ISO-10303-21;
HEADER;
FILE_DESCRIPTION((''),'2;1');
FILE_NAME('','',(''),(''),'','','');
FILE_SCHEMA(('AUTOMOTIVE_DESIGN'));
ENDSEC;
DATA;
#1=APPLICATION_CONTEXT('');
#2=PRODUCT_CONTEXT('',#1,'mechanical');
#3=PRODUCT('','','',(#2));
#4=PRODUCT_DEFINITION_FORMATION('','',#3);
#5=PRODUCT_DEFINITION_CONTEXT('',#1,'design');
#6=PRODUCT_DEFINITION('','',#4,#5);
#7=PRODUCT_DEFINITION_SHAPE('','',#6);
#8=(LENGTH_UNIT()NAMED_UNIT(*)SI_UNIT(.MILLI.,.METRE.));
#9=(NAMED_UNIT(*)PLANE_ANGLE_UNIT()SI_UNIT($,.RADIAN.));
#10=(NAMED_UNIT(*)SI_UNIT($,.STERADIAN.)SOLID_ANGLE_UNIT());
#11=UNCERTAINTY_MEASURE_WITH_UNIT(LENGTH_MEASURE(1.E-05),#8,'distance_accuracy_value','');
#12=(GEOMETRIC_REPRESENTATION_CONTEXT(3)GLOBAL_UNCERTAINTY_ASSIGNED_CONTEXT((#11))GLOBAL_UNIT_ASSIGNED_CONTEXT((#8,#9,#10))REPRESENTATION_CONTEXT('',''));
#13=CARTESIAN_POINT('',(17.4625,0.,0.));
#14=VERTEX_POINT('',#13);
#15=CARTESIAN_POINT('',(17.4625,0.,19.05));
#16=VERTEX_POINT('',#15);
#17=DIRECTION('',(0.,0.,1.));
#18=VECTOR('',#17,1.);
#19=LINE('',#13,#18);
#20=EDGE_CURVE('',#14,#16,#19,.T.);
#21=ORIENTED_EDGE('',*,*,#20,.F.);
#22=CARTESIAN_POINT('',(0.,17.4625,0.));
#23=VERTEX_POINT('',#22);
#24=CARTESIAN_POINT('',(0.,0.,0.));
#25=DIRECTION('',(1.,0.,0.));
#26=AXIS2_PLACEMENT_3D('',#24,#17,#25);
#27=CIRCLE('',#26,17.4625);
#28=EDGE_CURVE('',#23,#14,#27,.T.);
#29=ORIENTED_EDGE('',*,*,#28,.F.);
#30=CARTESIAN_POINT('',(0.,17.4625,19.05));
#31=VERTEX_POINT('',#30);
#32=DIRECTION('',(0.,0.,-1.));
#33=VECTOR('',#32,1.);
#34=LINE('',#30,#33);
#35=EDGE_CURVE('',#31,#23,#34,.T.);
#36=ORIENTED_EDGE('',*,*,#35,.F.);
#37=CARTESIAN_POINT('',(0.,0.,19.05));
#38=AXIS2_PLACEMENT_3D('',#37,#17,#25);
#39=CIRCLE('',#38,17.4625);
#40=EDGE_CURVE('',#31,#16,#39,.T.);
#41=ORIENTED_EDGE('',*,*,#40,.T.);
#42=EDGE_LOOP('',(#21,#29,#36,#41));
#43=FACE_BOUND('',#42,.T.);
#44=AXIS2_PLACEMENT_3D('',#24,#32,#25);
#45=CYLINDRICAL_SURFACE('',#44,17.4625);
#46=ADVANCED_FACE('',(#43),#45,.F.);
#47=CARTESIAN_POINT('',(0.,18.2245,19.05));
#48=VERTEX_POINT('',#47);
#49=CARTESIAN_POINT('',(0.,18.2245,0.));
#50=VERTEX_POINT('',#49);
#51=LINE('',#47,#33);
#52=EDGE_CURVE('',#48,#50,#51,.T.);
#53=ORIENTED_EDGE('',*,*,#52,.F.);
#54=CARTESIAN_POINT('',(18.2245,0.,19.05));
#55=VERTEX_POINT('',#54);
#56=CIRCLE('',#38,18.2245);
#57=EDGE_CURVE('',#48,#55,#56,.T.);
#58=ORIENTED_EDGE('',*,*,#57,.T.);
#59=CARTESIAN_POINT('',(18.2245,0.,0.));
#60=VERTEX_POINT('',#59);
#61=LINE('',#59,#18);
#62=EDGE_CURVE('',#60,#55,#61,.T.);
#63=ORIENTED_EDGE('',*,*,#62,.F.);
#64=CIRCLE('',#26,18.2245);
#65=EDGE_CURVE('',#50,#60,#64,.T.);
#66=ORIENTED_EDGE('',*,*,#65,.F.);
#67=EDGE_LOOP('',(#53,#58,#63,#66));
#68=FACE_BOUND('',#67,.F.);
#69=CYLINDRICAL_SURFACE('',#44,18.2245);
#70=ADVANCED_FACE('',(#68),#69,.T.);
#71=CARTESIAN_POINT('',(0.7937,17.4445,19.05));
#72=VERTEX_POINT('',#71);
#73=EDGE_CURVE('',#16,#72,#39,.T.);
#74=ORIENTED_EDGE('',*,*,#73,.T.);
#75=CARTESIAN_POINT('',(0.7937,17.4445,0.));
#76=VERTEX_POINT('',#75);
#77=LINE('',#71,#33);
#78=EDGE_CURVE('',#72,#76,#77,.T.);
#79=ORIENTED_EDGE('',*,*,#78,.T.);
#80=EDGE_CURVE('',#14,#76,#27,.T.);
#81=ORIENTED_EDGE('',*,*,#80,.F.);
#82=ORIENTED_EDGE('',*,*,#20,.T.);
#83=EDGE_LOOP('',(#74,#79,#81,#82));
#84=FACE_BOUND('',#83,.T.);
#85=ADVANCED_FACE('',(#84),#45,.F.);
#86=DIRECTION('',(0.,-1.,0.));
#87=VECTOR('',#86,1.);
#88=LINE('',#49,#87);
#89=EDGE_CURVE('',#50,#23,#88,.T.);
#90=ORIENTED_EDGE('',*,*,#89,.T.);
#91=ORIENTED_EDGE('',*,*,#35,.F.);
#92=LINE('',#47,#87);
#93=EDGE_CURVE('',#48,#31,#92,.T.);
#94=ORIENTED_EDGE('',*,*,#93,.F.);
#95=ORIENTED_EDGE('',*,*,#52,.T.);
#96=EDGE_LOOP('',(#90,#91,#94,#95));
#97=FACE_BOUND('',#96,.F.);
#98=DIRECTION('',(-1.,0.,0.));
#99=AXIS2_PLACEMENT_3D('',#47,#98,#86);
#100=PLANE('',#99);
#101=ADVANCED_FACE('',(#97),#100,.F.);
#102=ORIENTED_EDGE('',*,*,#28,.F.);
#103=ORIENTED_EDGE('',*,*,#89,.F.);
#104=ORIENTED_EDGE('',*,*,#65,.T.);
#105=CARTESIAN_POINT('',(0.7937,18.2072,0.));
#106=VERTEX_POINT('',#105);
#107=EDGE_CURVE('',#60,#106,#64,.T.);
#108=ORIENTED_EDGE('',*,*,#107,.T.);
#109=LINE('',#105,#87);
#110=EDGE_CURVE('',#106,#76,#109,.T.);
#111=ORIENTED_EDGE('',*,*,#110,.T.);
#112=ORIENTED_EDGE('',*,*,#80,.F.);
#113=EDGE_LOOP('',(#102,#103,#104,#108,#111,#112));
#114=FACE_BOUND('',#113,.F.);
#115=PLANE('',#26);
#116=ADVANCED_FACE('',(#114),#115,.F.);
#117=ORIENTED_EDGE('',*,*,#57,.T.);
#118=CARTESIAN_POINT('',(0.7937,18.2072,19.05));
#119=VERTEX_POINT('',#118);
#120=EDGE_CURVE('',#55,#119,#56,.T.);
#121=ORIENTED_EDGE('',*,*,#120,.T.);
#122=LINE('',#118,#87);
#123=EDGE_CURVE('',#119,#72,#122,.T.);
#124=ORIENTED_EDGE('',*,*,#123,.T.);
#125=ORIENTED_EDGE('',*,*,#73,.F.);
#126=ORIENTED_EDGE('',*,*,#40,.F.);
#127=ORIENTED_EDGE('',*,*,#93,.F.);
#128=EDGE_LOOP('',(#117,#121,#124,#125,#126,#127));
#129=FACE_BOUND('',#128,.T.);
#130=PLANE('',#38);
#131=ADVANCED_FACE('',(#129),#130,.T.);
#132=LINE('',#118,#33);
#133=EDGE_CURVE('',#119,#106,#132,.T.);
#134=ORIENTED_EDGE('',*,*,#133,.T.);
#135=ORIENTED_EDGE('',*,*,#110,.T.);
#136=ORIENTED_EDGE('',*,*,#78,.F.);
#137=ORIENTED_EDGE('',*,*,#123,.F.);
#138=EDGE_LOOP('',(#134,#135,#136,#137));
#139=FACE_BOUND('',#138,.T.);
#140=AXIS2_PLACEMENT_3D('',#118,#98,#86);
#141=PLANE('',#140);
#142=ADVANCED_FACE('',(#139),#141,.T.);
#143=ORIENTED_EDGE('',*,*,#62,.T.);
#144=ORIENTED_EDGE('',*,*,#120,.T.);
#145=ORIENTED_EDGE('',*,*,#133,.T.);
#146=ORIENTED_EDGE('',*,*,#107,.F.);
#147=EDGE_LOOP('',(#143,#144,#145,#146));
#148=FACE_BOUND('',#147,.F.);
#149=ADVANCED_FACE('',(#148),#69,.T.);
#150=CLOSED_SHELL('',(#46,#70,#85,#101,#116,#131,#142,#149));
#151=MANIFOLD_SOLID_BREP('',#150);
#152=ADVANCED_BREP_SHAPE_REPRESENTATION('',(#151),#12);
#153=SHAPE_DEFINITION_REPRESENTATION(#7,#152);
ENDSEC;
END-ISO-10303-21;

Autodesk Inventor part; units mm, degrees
ref_plane "YZ Plane" through (0, 0, 0) normal (1, 0, 0) x (0, 1, 0)
ref_plane "XZ Plane" through (0, 0, 0) normal (0, 1, 0) x (-1, 0, 0)
ref_plane "XY Plane" through (0, 0, 0) normal (0, 0, 1) x (1, 0, 0)
sketch "Sketch1" plane through (0, 0, 0) normal (0, 0, 1) x (1, 0, 0)
  circle A0 centre (0, 0) radius 17.4625
  circle A1 centre (0, 0) radius 18.2245
  dimension "d0" = 34.925
  dimension "d1" = 36.449
extrude "Extrusion1" add sketch "Sketch1" along normal blind 19.05
sketch "Sketch2" plane through (0, 0, 19.05) normal (0, 0, 1) x (1, 0, 0)
  circle A0 centre (0, 0) radius 18.2245 projected
  line L0 (0, 18.2245) -> (0, 17.4625)
  circle A1 centre (0, 0) radius 17.4625 projected
  line L1 (0.7937, 18.2072) -> (0.7937, 17.4445)
  dimension "d4" = 0.7937
extrude "Extrusion2" cut sketch "Sketch2" against normal blind 19.05 contours L1 A1 L0 A0 picked at (0.7055, 17.702)
properties part number "Buffer" material "PBT Plastic"
